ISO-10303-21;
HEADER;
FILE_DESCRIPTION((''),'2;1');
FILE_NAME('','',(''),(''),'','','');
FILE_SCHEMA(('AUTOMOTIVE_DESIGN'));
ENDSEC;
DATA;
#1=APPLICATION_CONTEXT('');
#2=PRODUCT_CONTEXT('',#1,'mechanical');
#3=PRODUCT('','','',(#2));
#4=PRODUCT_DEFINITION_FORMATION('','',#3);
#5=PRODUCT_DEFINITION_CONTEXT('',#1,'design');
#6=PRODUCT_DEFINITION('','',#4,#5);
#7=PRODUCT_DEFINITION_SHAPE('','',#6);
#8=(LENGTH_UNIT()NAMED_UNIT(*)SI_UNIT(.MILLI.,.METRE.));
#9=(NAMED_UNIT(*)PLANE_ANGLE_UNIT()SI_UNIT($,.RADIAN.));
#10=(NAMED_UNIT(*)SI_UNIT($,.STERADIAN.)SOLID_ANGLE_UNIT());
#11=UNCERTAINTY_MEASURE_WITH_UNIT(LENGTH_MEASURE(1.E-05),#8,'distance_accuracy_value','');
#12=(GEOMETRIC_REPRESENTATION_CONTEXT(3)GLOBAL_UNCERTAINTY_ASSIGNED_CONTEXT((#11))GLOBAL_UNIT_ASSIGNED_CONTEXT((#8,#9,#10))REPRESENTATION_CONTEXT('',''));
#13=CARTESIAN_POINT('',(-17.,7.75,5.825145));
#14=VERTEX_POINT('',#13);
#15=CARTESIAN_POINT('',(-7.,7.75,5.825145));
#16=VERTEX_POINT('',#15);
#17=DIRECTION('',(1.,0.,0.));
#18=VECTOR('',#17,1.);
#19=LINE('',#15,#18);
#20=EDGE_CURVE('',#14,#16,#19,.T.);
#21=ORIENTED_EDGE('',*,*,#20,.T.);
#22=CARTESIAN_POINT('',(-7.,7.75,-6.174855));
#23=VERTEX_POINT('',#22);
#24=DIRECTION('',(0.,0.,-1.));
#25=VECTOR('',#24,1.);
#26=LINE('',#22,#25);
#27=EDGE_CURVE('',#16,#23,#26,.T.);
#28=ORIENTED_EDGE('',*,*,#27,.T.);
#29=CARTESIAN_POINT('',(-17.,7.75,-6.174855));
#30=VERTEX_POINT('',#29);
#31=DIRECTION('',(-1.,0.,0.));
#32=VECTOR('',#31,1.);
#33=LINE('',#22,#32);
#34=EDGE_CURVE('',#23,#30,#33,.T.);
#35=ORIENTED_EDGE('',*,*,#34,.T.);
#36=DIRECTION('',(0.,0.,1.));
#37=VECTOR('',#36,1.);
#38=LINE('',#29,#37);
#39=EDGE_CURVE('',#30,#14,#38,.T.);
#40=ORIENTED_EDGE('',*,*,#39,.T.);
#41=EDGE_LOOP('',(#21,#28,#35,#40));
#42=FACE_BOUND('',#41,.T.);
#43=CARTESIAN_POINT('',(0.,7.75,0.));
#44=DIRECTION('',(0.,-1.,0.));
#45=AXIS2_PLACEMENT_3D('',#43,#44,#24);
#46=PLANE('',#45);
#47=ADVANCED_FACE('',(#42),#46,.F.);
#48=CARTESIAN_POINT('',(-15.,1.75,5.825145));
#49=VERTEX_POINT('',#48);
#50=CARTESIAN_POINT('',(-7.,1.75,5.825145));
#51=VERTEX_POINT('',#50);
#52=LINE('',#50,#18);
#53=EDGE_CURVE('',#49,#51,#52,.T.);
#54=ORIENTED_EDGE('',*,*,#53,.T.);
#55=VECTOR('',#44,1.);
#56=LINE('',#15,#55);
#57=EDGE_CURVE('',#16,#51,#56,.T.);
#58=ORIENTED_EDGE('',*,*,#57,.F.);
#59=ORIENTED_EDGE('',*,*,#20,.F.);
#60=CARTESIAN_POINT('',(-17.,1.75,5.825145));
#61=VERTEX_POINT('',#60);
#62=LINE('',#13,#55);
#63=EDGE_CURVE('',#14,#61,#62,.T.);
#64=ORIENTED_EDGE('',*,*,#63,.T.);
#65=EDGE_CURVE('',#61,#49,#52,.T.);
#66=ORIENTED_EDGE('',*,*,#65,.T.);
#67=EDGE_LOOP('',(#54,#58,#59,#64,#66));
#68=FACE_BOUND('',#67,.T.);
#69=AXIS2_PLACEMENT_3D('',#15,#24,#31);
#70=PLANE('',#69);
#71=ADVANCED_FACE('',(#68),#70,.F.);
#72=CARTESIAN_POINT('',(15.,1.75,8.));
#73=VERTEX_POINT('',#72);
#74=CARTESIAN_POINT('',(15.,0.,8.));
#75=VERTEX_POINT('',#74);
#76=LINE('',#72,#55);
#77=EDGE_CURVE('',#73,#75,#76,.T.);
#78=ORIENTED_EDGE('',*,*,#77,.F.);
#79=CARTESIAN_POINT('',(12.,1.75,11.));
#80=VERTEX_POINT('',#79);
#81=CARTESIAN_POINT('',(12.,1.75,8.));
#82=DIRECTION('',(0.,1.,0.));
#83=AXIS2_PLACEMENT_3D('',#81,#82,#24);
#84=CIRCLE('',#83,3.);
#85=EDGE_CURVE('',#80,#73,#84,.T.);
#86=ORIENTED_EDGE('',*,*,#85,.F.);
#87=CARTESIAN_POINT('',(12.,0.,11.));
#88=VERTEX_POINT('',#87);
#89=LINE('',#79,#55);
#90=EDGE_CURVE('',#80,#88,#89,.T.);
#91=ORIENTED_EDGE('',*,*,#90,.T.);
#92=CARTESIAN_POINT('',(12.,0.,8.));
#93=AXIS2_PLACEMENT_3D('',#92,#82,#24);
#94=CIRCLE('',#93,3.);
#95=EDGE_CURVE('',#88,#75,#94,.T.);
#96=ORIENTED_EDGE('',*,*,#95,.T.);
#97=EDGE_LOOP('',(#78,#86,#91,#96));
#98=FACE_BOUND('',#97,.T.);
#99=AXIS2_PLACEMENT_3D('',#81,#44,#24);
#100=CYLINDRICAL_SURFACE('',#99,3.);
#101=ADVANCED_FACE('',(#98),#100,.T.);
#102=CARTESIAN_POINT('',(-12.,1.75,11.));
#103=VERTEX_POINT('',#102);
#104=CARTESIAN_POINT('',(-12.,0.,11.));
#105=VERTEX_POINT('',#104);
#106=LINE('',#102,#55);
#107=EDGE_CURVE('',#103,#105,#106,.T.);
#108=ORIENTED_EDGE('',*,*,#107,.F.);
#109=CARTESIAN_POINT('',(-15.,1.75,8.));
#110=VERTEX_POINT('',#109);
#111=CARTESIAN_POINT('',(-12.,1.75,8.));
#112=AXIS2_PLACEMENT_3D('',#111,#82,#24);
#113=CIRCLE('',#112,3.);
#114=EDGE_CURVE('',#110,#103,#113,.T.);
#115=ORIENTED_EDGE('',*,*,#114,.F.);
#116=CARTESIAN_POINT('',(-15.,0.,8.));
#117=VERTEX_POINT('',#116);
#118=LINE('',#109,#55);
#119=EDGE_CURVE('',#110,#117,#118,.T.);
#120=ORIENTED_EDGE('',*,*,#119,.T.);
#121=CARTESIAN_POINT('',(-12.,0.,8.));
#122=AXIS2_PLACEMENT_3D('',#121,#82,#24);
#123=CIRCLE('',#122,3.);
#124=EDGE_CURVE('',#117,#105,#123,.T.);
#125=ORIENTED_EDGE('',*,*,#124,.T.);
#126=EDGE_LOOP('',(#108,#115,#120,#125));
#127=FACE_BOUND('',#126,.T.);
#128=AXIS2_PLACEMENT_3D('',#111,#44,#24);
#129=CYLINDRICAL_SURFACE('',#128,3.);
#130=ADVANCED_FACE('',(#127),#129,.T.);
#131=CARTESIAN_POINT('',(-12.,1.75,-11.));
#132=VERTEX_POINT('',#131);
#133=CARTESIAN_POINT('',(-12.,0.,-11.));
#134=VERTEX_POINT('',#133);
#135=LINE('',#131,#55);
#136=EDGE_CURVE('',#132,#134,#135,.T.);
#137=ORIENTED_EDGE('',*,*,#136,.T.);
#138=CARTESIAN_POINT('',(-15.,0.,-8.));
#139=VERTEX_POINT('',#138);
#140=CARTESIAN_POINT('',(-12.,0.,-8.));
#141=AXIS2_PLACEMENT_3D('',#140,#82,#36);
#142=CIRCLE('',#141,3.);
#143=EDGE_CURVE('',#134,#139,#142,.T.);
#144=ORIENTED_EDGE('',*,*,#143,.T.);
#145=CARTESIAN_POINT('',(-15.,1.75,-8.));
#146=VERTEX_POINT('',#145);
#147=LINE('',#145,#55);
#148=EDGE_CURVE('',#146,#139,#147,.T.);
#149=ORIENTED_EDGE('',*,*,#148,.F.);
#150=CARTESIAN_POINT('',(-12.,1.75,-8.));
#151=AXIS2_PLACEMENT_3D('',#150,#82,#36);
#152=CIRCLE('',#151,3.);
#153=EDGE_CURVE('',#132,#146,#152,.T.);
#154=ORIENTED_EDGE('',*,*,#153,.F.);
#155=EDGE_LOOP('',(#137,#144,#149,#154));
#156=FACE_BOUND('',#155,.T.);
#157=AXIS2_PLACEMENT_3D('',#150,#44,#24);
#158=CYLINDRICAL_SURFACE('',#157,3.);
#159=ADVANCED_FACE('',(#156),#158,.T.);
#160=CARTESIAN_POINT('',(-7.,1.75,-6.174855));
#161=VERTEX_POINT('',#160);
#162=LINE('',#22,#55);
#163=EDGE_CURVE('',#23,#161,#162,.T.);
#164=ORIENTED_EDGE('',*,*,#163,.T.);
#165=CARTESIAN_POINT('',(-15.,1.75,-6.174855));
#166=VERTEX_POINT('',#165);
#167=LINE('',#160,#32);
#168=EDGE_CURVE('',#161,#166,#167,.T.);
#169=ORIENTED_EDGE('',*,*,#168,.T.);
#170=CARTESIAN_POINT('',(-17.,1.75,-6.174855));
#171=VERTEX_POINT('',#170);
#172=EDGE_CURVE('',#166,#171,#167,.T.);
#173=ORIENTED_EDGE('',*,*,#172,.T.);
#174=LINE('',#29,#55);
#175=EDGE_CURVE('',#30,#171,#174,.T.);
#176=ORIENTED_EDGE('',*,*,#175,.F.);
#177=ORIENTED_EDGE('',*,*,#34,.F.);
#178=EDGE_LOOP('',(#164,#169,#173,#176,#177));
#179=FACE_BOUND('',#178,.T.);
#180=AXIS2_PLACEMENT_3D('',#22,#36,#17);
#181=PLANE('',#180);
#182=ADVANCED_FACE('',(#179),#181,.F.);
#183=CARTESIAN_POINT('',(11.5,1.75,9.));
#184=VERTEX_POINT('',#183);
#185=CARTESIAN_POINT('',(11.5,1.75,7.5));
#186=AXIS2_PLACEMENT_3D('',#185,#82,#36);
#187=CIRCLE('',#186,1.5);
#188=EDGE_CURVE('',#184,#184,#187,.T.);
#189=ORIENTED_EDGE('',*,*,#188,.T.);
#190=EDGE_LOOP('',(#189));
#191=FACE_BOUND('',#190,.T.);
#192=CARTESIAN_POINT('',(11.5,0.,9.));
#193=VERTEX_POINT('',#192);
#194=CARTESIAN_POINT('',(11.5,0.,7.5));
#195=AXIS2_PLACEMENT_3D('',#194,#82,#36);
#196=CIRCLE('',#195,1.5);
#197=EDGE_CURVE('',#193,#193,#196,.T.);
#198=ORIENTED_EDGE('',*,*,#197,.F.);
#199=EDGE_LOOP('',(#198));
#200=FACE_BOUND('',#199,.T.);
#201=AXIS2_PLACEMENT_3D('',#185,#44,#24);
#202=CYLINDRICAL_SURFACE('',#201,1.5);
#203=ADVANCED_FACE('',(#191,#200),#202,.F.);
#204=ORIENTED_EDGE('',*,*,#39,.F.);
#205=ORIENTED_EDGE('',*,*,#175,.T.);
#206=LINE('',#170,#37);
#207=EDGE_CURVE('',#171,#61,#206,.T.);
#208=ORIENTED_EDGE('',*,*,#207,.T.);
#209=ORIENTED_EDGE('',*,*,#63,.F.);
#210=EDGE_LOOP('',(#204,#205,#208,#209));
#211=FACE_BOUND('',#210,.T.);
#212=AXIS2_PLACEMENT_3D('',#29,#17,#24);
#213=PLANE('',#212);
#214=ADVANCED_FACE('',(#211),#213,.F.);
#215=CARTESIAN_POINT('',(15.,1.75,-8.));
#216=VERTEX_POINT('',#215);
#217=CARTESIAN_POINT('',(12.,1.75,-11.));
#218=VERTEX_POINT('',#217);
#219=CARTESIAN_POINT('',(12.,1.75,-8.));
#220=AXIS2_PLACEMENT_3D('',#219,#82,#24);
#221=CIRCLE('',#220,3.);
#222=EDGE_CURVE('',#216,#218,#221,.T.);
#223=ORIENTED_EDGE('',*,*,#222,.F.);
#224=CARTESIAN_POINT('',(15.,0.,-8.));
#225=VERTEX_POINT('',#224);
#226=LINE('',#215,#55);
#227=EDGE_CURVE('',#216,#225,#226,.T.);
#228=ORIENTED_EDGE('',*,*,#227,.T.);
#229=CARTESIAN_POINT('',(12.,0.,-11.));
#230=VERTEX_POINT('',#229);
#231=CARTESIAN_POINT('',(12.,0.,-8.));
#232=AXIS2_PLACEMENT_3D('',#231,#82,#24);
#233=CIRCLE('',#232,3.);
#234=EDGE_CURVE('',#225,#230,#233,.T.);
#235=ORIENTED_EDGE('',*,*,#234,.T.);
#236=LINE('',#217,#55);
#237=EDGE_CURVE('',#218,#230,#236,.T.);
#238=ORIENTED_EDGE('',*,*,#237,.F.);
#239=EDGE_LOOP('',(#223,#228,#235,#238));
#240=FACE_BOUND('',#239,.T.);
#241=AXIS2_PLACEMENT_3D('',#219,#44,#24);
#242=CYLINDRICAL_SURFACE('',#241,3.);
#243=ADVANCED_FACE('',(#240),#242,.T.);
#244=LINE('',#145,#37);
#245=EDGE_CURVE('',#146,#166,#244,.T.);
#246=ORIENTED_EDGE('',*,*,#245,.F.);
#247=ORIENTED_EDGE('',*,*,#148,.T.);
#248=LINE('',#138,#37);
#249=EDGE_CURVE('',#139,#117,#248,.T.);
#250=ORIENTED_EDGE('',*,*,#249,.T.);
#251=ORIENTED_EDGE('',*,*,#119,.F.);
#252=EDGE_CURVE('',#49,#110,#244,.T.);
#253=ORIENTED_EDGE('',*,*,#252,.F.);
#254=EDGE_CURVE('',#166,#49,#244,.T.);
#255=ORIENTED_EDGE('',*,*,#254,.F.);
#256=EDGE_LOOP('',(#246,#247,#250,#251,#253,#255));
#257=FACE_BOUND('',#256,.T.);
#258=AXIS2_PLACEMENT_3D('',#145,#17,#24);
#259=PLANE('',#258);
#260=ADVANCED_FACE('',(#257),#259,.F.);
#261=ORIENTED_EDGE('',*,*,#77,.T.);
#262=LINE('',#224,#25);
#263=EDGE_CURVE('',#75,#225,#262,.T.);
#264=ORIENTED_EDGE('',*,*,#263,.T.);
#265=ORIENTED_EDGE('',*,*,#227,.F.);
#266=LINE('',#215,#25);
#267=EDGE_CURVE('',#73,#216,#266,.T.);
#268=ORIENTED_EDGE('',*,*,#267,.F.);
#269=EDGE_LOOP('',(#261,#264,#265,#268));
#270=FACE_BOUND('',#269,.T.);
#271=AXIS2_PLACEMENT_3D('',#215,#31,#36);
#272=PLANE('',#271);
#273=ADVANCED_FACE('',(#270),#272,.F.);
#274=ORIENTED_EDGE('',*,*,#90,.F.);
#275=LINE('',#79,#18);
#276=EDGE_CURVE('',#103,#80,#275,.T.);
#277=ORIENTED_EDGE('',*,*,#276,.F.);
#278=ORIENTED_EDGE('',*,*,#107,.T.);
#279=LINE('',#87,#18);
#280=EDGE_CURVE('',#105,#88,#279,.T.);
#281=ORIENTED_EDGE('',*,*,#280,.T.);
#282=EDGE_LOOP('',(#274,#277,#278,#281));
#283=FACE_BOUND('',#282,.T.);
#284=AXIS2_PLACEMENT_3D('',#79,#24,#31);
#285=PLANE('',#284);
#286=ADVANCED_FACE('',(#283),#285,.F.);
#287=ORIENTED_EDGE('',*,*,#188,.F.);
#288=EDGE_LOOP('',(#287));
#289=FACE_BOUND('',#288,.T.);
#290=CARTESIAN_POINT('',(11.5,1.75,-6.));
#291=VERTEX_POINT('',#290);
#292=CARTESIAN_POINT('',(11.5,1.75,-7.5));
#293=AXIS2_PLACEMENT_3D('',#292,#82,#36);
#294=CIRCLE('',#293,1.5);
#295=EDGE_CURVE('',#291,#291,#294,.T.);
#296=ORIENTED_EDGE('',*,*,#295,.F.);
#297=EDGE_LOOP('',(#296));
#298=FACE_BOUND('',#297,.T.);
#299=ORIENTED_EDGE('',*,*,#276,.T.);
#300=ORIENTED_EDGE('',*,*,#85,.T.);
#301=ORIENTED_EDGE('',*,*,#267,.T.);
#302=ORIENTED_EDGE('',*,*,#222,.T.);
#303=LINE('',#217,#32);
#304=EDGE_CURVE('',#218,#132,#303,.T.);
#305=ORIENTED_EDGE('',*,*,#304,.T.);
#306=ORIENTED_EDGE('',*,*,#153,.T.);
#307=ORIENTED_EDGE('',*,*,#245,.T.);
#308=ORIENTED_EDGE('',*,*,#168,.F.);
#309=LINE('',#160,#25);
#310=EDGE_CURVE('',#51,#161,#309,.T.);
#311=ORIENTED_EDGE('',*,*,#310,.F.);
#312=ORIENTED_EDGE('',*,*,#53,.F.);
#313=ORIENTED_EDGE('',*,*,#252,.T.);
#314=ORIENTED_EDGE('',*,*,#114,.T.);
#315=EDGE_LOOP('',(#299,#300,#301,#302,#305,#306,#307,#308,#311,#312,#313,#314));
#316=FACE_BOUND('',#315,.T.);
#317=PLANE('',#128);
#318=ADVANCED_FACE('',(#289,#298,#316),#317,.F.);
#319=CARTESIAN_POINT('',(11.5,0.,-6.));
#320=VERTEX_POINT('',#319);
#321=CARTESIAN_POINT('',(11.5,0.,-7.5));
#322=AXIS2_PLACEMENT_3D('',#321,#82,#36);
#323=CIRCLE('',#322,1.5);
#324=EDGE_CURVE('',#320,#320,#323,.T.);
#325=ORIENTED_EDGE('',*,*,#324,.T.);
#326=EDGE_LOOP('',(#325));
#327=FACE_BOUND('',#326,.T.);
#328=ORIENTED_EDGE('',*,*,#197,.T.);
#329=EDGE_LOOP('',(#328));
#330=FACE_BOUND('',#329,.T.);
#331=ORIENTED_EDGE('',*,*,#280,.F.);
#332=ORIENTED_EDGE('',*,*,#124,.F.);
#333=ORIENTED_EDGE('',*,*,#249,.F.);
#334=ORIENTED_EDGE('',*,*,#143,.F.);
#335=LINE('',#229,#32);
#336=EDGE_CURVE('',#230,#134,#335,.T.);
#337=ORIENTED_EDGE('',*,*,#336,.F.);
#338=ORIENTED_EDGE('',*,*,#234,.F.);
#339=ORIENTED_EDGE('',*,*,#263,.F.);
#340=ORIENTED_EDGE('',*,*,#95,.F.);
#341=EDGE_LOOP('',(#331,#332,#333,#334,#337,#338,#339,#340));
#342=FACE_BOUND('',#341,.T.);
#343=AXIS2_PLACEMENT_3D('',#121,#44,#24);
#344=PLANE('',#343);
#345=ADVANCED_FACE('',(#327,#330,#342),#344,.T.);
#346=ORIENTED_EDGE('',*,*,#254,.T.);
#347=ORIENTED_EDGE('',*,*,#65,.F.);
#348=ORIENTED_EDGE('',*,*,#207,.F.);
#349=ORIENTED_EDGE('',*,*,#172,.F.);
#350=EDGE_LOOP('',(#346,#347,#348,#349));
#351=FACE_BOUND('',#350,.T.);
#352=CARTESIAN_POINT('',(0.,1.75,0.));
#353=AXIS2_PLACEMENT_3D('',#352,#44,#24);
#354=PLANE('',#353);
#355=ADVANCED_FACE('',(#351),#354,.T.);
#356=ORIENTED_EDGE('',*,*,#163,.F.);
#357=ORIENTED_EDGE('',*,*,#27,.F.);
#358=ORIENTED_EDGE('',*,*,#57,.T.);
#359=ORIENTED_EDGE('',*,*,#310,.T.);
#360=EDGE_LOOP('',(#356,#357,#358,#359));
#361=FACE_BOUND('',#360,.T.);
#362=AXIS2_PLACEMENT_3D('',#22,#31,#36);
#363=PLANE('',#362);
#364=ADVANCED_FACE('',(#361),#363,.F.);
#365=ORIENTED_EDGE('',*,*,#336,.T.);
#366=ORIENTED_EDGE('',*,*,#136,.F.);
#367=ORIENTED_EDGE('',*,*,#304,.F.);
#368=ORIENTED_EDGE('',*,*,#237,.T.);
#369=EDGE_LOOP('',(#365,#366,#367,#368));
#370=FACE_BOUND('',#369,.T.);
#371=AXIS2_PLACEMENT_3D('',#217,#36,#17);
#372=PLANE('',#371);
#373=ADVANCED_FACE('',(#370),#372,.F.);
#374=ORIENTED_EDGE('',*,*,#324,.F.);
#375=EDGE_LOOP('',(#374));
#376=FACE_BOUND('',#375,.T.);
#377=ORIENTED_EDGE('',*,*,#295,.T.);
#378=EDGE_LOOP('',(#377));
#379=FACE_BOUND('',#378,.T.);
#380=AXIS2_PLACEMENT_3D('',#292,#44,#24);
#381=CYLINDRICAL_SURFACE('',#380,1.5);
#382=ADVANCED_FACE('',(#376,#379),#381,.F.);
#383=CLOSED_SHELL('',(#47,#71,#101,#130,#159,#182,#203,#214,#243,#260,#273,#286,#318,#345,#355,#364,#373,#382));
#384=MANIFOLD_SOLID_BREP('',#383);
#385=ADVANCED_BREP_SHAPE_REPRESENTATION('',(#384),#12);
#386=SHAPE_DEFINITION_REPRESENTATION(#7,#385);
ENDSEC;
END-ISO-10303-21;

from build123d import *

# Parameters (mm, degrees)
SKETCH1_R           = 1.5
BOSS_EXTRUDE1_DEPTH = 1.75
SKETCH2_W           = 10
SKETCH2_H           = 12
BOSS_EXTRUDE2_DEPTH = 6


with BuildPart() as part:
    # Sketch1 → Boss-Extrude1 (new body)
    with BuildSketch(Plane(origin=(0, 0, 0), x_dir=(1, 0, 0), z_dir=(0, 1, 0))):
        with BuildLine():
            Line((12, 11), (-12, 11))
            ThreePointArc((-12, 11), (-14.121320344, 10.121320344), (-15, 8))
            Line((-15, 8), (-15, -8))
            ThreePointArc((-15, -8), (-14.121320344, -10.121320344), (-12, -11))
            Line((-12, -11), (12, -11))
            ThreePointArc((12, -11), (14.121320344, -10.121320344), (15, -8))
            Line((15, -8), (15, 8))
            ThreePointArc((15, 8), (14.121320344, 10.121320344), (12, 11))
        make_face()
        with Locations((11.5, 7.5)):
            Circle(SKETCH1_R, mode=Mode.SUBTRACT)
        with Locations((11.5, -7.5)):
            Circle(SKETCH1_R, mode=Mode.SUBTRACT)
    extrude(amount=BOSS_EXTRUDE1_DEPTH)

    # Sketch2 → Boss-Extrude2 (add)
    with BuildSketch(Plane(origin=(0, 1.75, 0), x_dir=(1, 0, 0), z_dir=(0, 1, 0))):
        with Locations((-12, 0.174855127)):
            Rectangle(SKETCH2_W, SKETCH2_H)
    extrude(amount=BOSS_EXTRUDE2_DEPTH)


solid = part.part
